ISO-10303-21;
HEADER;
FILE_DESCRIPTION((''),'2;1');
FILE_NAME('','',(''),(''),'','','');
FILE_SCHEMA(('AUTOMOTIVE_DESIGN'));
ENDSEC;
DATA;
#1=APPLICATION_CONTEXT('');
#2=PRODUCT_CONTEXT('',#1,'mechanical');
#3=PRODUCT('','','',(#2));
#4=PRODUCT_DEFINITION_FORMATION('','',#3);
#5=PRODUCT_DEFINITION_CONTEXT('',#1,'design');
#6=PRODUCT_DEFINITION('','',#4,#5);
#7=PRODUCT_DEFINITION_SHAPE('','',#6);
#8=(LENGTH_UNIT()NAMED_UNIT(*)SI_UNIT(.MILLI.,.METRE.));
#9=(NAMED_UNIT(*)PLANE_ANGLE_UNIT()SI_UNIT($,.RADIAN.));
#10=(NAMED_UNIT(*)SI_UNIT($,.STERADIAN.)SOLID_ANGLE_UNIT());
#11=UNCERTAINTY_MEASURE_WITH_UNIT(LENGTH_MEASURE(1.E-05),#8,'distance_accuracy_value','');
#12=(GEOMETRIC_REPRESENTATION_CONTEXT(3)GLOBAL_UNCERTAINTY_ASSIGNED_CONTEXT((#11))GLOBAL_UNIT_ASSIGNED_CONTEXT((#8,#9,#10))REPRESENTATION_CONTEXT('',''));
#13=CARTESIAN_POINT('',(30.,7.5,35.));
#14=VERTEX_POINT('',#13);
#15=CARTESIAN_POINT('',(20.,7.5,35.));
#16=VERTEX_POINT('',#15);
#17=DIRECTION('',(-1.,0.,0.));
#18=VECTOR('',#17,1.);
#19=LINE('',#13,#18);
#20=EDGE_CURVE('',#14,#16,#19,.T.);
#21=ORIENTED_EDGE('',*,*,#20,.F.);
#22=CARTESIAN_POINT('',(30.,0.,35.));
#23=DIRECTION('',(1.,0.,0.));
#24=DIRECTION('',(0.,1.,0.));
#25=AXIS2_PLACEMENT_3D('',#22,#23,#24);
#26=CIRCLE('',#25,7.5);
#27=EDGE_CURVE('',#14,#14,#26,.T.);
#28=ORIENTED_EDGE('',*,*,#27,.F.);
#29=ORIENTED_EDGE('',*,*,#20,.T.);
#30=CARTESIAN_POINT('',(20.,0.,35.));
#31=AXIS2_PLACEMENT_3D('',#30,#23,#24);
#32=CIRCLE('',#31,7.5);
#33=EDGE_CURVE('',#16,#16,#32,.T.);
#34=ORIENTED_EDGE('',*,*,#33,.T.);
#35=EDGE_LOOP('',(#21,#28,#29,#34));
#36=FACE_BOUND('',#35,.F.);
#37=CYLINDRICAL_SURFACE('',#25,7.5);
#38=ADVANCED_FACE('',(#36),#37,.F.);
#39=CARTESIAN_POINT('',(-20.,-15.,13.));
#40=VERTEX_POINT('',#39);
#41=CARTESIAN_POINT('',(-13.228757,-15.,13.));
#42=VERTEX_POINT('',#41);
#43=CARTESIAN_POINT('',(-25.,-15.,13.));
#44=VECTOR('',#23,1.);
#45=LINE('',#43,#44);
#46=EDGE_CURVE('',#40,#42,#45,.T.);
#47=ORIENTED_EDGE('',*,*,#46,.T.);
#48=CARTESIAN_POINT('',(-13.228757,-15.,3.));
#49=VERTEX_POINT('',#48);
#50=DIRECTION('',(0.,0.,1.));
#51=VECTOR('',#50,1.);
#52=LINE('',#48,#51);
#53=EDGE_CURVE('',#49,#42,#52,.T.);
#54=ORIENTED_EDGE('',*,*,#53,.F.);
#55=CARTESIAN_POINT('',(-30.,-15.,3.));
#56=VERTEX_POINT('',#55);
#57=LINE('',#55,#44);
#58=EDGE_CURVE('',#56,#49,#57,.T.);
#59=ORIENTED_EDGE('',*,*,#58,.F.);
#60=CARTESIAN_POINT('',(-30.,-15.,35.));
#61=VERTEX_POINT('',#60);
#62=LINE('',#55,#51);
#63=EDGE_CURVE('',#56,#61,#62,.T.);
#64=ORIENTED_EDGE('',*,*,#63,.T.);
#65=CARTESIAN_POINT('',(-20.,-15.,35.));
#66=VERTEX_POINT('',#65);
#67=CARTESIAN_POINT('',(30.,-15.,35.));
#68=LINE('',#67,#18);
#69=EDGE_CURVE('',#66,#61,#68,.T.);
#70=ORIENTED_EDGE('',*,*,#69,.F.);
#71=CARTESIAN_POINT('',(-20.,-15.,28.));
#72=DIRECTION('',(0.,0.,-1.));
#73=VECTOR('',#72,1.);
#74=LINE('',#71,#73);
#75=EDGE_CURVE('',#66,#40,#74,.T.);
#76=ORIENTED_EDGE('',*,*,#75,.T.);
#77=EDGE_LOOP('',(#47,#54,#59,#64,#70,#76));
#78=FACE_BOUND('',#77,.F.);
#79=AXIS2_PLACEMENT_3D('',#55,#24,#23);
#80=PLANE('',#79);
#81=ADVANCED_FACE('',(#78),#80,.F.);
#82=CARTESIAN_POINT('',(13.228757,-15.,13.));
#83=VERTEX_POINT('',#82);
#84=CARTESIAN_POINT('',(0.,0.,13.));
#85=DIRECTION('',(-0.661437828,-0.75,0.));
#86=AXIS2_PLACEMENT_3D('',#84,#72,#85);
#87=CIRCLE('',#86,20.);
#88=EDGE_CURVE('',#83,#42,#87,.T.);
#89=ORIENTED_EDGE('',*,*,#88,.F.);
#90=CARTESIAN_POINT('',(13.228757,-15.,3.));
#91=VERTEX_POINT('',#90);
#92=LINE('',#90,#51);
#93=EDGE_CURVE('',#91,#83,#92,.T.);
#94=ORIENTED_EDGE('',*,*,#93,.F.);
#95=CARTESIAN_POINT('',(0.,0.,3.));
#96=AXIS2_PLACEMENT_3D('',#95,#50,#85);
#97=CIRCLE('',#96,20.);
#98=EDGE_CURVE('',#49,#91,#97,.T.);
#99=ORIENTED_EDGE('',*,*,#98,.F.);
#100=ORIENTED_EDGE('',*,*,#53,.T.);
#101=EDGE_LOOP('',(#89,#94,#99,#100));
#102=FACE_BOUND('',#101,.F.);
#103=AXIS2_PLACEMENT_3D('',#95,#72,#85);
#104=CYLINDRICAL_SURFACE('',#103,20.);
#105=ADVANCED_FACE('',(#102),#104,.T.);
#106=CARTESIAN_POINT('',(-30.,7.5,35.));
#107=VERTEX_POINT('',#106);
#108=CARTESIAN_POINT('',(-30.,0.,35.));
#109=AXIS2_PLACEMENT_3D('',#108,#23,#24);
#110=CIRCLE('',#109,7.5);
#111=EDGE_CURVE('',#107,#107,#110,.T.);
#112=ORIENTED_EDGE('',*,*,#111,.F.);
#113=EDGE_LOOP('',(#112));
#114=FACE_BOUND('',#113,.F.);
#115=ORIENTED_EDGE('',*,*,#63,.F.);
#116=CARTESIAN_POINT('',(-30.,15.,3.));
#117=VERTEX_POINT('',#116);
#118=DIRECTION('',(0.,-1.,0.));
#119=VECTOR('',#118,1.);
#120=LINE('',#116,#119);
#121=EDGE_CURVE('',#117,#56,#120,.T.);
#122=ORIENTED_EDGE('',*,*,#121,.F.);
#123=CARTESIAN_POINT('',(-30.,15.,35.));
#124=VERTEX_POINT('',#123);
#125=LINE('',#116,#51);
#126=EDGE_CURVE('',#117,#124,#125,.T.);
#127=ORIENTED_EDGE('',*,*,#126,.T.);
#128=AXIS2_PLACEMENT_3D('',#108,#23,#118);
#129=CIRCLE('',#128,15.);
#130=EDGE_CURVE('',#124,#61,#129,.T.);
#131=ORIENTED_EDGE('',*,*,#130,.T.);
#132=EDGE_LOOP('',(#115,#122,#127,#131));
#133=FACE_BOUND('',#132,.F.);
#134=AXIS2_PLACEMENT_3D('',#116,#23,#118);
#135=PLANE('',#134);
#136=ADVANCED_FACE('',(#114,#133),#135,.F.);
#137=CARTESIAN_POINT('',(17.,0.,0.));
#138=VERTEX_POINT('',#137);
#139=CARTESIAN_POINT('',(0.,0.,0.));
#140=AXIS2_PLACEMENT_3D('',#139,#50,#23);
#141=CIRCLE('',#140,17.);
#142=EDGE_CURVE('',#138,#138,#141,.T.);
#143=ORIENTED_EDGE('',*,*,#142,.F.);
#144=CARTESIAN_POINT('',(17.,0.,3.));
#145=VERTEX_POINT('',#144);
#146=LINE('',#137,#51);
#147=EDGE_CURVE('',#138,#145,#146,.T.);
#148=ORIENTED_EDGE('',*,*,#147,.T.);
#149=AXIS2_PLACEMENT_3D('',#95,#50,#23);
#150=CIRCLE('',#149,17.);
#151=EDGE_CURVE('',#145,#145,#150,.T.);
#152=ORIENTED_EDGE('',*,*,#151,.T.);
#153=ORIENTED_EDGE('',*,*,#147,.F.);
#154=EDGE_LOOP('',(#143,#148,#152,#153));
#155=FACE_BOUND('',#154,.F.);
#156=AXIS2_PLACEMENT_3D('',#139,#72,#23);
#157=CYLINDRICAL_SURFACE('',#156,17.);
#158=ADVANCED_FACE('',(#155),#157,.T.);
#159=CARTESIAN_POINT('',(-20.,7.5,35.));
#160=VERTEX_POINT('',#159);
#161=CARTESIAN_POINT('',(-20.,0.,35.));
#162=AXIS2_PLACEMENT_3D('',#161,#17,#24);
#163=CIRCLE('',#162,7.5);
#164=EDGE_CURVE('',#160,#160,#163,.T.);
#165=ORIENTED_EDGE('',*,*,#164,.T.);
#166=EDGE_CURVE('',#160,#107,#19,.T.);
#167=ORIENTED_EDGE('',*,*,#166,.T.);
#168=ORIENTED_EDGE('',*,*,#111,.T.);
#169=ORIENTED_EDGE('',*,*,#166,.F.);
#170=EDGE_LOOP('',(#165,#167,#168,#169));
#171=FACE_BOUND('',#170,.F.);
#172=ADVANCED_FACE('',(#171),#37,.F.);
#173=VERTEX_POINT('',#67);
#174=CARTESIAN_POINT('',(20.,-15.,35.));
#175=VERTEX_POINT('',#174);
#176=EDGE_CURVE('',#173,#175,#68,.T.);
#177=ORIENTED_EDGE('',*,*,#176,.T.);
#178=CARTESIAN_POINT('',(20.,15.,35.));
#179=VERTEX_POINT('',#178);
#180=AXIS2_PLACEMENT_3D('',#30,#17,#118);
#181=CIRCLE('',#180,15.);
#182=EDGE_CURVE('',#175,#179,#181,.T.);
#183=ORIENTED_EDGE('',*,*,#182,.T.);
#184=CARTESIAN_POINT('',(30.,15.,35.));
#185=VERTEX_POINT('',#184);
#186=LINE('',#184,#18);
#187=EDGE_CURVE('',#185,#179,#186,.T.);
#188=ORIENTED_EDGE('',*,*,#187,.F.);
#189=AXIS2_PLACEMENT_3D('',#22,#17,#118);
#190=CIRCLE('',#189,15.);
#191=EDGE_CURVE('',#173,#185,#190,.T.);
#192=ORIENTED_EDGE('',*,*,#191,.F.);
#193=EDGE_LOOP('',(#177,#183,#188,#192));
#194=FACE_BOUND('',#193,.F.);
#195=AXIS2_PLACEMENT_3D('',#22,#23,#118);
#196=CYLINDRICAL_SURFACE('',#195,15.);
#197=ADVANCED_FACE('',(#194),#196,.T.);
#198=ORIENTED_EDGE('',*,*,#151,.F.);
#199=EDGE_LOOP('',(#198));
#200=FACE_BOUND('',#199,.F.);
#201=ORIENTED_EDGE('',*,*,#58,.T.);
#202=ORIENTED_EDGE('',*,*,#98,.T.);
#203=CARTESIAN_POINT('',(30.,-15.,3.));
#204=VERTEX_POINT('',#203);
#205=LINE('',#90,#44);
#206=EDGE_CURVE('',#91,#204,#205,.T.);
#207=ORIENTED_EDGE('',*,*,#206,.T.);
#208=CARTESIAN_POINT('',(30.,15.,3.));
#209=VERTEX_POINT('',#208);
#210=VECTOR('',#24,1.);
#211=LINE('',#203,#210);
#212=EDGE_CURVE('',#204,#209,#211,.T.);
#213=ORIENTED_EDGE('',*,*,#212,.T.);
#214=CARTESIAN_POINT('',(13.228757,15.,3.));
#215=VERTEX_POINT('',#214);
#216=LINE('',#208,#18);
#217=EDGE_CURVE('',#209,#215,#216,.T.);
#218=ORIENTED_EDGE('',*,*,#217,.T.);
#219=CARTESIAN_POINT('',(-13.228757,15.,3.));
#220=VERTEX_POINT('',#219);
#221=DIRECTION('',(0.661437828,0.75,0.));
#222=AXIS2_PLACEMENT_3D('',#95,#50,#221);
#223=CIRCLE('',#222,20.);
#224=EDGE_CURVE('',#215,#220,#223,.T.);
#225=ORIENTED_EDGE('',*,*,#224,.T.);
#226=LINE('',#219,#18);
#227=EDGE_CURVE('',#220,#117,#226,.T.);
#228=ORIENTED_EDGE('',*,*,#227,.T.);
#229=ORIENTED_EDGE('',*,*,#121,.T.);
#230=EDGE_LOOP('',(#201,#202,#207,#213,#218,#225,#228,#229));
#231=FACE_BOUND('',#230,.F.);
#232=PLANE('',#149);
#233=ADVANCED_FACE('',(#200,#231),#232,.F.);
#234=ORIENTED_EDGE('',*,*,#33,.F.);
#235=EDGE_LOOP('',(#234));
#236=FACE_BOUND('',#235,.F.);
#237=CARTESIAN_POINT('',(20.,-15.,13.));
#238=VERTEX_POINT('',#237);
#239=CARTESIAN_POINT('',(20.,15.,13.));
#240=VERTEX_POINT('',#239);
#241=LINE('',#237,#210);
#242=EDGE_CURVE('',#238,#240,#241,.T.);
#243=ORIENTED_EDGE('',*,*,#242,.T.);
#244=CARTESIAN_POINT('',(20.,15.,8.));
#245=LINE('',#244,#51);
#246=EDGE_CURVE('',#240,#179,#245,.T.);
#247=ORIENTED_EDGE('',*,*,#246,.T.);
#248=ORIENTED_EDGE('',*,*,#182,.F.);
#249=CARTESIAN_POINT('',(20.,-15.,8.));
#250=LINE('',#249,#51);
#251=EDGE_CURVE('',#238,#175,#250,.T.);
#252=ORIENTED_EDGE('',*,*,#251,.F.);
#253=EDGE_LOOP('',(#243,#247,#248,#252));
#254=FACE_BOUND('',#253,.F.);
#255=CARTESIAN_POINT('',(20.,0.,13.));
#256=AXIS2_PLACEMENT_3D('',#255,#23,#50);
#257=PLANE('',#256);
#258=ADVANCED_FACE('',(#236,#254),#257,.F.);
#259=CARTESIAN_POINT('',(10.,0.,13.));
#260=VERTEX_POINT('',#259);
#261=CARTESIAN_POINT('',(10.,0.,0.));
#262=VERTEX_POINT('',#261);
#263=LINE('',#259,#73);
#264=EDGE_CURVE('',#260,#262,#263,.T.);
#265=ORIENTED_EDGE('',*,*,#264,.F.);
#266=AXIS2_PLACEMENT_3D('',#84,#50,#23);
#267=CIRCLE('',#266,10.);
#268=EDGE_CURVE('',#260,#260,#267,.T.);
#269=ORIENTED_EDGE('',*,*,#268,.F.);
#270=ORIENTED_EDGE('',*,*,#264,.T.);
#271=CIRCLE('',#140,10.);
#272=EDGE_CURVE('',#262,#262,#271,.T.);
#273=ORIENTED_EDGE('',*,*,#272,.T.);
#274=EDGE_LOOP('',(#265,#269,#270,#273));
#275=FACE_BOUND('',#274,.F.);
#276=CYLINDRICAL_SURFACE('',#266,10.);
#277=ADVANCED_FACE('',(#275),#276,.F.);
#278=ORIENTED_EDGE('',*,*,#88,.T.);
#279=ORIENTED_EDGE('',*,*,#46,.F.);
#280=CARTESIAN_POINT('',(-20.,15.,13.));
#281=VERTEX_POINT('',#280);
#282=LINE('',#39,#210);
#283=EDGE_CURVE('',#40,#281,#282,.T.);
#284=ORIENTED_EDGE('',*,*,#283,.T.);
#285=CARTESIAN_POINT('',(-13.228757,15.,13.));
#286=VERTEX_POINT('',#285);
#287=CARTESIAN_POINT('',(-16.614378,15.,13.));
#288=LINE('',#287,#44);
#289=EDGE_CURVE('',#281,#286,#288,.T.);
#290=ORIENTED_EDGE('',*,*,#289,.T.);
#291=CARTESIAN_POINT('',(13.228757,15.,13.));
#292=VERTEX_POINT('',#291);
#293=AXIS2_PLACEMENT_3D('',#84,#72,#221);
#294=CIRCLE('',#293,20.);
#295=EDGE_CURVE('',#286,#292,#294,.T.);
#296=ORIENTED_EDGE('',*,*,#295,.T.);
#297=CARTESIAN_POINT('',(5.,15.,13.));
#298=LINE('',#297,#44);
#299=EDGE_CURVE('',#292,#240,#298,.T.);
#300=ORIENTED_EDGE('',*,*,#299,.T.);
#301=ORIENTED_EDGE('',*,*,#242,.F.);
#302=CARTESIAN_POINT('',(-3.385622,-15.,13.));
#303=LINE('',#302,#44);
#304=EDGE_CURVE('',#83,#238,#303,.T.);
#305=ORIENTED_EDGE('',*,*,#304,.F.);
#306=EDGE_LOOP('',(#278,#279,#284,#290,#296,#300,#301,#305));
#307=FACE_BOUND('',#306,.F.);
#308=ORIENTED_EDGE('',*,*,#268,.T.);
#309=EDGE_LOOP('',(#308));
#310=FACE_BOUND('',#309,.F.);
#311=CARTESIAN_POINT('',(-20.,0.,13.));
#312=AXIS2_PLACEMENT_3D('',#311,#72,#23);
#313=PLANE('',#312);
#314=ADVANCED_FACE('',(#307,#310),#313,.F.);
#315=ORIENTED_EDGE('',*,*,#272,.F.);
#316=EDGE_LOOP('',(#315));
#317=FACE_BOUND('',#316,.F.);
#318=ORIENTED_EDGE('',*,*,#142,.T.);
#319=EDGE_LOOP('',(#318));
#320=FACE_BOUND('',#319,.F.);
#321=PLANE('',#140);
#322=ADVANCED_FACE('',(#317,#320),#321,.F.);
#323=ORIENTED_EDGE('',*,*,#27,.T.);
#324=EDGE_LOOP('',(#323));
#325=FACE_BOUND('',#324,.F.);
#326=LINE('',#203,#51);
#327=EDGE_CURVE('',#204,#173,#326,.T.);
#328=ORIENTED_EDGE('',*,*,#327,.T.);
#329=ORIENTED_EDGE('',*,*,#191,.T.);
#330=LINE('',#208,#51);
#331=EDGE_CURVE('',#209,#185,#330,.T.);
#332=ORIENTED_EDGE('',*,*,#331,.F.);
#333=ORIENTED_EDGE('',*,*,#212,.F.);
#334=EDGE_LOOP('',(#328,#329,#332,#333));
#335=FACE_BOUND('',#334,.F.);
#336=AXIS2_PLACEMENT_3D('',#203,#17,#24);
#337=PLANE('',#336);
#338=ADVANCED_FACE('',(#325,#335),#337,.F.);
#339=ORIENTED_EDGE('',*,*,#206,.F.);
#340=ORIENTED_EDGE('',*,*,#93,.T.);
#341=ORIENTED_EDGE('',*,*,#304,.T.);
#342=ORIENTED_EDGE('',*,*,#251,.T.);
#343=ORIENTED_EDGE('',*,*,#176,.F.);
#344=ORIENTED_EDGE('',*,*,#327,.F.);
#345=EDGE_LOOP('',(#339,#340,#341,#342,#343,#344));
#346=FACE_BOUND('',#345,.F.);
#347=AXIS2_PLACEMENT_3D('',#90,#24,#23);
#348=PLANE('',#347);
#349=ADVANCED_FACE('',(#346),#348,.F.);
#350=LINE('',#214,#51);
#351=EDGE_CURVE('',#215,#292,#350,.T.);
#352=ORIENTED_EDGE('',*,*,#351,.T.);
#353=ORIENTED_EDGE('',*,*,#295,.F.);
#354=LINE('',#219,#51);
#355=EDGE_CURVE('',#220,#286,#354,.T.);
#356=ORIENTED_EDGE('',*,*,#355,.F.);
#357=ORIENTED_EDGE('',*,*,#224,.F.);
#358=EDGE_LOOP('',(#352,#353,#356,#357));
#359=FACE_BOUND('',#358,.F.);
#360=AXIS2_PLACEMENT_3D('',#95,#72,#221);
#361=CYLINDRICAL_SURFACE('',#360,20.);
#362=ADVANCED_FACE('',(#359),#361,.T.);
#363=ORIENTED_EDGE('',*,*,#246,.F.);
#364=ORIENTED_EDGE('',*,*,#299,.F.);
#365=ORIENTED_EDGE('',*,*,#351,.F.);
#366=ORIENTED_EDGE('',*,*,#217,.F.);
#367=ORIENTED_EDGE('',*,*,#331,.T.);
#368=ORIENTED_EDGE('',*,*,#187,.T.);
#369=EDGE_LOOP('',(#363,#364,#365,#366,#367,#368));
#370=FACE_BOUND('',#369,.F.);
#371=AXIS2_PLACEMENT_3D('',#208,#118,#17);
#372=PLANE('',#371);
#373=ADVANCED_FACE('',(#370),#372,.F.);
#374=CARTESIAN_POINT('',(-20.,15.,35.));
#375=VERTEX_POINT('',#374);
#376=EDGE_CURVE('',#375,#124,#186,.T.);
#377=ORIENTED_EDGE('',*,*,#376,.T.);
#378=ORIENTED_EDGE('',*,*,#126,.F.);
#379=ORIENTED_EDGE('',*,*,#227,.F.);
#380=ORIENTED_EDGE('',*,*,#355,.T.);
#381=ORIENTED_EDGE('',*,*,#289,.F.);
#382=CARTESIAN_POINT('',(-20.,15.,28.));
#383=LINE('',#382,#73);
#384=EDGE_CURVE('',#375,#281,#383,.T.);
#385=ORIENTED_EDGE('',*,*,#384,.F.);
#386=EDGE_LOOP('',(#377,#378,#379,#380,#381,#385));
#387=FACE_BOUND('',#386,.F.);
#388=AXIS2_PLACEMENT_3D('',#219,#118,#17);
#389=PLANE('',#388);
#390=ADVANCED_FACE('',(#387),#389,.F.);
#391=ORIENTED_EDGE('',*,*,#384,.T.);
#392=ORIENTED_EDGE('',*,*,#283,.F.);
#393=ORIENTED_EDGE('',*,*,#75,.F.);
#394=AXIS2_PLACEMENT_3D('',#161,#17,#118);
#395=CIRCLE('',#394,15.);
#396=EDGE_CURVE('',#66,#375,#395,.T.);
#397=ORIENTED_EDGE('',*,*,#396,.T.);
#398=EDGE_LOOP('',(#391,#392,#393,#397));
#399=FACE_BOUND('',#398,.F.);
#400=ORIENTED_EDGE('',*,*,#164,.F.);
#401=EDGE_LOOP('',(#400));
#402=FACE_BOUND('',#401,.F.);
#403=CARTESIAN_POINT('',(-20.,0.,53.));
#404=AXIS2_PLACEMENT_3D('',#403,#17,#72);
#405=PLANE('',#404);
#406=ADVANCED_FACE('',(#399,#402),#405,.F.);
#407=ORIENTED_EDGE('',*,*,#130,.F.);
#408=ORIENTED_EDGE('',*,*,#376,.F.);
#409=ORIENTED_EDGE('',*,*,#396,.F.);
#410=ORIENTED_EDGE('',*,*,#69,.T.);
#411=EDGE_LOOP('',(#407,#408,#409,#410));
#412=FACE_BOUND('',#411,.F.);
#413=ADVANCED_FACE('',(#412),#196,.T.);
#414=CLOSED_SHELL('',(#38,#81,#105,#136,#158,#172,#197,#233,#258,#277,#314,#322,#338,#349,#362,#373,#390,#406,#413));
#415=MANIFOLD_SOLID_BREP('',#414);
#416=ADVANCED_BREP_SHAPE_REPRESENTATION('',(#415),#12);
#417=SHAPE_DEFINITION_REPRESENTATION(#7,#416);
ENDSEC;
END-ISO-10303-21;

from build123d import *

# Parameters (mm, degrees)
F0_R          = 17
F1_DEPTH      = 3
F3_DEPTH      = 50
F4_R          = 7.5
F5_DEPTH      = 60.001
F7_DEPTH      = 25
F7_DEPTH_BACK = 25
F8_R          = 10
F9_DEPTH      = 13.001


with BuildPart() as f1:
    # F0 (on Top) → F1 (new body)
    with BuildSketch(Plane.XY):
        Circle(F0_R)
    extrude(amount=F1_DEPTH)

    # F2 (on face) → F3 (join)
    with BuildSketch(Plane.XY.offset(3)):
        with BuildLine():
            Line((-13.2287565553, 15), (-30, 15))
            Line((-30, 15), (-30, -15))
            Line((-30, -15), (-13.2287565553, -15))
            ThreePointArc((-13.2287565553, -15), (0, -20), (13.2287565553, -15))
            Line((13.2287565553, -15), (30, -15))
            Line((30, -15), (30, 15))
            Line((30, 15), (13.2287565553, 15))
            ThreePointArc((13.2287565553, 15), (0, 20), (-13.2287565553, 15))
        make_face()
    extrude(amount=F3_DEPTH)

    # F4 (on face) → F5 (cut, through all)
    with BuildSketch(Plane.YZ.offset(30)):
        with Locations((0, 35)):
            Circle(F4_R)
        with BuildLine():
            ThreePointArc((-15, 35), (0, 50), (15, 35))
            Line((15, 35), (15, 53))
            Line((15, 53), (-15, 53))
            Line((-15, 53), (-15, 35))
        make_face()
    extrude(amount=-F5_DEPTH, mode=Mode.SUBTRACT)

    # F6 (on Front) → F7 (cut, two sides)
    with BuildSketch(Plane.XZ) as f7_sk:
        Polygon((-13.2287565553, 13), (13.2287565553, 13), (13.2287565553, 35), (13.2287565553, 53), (-13.2287565553, 53), (-13.2287565553, 35), align=None)
        Polygon((13.2287565553, 35), (13.2287565553, 13), (20, 13), (20, 53), (13.2287565553, 53), align=None)
        Polygon((-20, 13), (-13.2287565553, 13), (-13.2287565553, 35), (-13.2287565553, 53), (-20, 53), align=None)
    extrude(amount=-F7_DEPTH, mode=Mode.SUBTRACT)
    extrude(f7_sk.sketch, amount=F7_DEPTH_BACK, mode=Mode.SUBTRACT)

    # F8 (on face) → F9 (cut, through all)
    with BuildSketch(Plane.XY.offset(13)):
        Circle(F8_R)
    extrude(amount=-F9_DEPTH, mode=Mode.SUBTRACT)


solid = f1.part
